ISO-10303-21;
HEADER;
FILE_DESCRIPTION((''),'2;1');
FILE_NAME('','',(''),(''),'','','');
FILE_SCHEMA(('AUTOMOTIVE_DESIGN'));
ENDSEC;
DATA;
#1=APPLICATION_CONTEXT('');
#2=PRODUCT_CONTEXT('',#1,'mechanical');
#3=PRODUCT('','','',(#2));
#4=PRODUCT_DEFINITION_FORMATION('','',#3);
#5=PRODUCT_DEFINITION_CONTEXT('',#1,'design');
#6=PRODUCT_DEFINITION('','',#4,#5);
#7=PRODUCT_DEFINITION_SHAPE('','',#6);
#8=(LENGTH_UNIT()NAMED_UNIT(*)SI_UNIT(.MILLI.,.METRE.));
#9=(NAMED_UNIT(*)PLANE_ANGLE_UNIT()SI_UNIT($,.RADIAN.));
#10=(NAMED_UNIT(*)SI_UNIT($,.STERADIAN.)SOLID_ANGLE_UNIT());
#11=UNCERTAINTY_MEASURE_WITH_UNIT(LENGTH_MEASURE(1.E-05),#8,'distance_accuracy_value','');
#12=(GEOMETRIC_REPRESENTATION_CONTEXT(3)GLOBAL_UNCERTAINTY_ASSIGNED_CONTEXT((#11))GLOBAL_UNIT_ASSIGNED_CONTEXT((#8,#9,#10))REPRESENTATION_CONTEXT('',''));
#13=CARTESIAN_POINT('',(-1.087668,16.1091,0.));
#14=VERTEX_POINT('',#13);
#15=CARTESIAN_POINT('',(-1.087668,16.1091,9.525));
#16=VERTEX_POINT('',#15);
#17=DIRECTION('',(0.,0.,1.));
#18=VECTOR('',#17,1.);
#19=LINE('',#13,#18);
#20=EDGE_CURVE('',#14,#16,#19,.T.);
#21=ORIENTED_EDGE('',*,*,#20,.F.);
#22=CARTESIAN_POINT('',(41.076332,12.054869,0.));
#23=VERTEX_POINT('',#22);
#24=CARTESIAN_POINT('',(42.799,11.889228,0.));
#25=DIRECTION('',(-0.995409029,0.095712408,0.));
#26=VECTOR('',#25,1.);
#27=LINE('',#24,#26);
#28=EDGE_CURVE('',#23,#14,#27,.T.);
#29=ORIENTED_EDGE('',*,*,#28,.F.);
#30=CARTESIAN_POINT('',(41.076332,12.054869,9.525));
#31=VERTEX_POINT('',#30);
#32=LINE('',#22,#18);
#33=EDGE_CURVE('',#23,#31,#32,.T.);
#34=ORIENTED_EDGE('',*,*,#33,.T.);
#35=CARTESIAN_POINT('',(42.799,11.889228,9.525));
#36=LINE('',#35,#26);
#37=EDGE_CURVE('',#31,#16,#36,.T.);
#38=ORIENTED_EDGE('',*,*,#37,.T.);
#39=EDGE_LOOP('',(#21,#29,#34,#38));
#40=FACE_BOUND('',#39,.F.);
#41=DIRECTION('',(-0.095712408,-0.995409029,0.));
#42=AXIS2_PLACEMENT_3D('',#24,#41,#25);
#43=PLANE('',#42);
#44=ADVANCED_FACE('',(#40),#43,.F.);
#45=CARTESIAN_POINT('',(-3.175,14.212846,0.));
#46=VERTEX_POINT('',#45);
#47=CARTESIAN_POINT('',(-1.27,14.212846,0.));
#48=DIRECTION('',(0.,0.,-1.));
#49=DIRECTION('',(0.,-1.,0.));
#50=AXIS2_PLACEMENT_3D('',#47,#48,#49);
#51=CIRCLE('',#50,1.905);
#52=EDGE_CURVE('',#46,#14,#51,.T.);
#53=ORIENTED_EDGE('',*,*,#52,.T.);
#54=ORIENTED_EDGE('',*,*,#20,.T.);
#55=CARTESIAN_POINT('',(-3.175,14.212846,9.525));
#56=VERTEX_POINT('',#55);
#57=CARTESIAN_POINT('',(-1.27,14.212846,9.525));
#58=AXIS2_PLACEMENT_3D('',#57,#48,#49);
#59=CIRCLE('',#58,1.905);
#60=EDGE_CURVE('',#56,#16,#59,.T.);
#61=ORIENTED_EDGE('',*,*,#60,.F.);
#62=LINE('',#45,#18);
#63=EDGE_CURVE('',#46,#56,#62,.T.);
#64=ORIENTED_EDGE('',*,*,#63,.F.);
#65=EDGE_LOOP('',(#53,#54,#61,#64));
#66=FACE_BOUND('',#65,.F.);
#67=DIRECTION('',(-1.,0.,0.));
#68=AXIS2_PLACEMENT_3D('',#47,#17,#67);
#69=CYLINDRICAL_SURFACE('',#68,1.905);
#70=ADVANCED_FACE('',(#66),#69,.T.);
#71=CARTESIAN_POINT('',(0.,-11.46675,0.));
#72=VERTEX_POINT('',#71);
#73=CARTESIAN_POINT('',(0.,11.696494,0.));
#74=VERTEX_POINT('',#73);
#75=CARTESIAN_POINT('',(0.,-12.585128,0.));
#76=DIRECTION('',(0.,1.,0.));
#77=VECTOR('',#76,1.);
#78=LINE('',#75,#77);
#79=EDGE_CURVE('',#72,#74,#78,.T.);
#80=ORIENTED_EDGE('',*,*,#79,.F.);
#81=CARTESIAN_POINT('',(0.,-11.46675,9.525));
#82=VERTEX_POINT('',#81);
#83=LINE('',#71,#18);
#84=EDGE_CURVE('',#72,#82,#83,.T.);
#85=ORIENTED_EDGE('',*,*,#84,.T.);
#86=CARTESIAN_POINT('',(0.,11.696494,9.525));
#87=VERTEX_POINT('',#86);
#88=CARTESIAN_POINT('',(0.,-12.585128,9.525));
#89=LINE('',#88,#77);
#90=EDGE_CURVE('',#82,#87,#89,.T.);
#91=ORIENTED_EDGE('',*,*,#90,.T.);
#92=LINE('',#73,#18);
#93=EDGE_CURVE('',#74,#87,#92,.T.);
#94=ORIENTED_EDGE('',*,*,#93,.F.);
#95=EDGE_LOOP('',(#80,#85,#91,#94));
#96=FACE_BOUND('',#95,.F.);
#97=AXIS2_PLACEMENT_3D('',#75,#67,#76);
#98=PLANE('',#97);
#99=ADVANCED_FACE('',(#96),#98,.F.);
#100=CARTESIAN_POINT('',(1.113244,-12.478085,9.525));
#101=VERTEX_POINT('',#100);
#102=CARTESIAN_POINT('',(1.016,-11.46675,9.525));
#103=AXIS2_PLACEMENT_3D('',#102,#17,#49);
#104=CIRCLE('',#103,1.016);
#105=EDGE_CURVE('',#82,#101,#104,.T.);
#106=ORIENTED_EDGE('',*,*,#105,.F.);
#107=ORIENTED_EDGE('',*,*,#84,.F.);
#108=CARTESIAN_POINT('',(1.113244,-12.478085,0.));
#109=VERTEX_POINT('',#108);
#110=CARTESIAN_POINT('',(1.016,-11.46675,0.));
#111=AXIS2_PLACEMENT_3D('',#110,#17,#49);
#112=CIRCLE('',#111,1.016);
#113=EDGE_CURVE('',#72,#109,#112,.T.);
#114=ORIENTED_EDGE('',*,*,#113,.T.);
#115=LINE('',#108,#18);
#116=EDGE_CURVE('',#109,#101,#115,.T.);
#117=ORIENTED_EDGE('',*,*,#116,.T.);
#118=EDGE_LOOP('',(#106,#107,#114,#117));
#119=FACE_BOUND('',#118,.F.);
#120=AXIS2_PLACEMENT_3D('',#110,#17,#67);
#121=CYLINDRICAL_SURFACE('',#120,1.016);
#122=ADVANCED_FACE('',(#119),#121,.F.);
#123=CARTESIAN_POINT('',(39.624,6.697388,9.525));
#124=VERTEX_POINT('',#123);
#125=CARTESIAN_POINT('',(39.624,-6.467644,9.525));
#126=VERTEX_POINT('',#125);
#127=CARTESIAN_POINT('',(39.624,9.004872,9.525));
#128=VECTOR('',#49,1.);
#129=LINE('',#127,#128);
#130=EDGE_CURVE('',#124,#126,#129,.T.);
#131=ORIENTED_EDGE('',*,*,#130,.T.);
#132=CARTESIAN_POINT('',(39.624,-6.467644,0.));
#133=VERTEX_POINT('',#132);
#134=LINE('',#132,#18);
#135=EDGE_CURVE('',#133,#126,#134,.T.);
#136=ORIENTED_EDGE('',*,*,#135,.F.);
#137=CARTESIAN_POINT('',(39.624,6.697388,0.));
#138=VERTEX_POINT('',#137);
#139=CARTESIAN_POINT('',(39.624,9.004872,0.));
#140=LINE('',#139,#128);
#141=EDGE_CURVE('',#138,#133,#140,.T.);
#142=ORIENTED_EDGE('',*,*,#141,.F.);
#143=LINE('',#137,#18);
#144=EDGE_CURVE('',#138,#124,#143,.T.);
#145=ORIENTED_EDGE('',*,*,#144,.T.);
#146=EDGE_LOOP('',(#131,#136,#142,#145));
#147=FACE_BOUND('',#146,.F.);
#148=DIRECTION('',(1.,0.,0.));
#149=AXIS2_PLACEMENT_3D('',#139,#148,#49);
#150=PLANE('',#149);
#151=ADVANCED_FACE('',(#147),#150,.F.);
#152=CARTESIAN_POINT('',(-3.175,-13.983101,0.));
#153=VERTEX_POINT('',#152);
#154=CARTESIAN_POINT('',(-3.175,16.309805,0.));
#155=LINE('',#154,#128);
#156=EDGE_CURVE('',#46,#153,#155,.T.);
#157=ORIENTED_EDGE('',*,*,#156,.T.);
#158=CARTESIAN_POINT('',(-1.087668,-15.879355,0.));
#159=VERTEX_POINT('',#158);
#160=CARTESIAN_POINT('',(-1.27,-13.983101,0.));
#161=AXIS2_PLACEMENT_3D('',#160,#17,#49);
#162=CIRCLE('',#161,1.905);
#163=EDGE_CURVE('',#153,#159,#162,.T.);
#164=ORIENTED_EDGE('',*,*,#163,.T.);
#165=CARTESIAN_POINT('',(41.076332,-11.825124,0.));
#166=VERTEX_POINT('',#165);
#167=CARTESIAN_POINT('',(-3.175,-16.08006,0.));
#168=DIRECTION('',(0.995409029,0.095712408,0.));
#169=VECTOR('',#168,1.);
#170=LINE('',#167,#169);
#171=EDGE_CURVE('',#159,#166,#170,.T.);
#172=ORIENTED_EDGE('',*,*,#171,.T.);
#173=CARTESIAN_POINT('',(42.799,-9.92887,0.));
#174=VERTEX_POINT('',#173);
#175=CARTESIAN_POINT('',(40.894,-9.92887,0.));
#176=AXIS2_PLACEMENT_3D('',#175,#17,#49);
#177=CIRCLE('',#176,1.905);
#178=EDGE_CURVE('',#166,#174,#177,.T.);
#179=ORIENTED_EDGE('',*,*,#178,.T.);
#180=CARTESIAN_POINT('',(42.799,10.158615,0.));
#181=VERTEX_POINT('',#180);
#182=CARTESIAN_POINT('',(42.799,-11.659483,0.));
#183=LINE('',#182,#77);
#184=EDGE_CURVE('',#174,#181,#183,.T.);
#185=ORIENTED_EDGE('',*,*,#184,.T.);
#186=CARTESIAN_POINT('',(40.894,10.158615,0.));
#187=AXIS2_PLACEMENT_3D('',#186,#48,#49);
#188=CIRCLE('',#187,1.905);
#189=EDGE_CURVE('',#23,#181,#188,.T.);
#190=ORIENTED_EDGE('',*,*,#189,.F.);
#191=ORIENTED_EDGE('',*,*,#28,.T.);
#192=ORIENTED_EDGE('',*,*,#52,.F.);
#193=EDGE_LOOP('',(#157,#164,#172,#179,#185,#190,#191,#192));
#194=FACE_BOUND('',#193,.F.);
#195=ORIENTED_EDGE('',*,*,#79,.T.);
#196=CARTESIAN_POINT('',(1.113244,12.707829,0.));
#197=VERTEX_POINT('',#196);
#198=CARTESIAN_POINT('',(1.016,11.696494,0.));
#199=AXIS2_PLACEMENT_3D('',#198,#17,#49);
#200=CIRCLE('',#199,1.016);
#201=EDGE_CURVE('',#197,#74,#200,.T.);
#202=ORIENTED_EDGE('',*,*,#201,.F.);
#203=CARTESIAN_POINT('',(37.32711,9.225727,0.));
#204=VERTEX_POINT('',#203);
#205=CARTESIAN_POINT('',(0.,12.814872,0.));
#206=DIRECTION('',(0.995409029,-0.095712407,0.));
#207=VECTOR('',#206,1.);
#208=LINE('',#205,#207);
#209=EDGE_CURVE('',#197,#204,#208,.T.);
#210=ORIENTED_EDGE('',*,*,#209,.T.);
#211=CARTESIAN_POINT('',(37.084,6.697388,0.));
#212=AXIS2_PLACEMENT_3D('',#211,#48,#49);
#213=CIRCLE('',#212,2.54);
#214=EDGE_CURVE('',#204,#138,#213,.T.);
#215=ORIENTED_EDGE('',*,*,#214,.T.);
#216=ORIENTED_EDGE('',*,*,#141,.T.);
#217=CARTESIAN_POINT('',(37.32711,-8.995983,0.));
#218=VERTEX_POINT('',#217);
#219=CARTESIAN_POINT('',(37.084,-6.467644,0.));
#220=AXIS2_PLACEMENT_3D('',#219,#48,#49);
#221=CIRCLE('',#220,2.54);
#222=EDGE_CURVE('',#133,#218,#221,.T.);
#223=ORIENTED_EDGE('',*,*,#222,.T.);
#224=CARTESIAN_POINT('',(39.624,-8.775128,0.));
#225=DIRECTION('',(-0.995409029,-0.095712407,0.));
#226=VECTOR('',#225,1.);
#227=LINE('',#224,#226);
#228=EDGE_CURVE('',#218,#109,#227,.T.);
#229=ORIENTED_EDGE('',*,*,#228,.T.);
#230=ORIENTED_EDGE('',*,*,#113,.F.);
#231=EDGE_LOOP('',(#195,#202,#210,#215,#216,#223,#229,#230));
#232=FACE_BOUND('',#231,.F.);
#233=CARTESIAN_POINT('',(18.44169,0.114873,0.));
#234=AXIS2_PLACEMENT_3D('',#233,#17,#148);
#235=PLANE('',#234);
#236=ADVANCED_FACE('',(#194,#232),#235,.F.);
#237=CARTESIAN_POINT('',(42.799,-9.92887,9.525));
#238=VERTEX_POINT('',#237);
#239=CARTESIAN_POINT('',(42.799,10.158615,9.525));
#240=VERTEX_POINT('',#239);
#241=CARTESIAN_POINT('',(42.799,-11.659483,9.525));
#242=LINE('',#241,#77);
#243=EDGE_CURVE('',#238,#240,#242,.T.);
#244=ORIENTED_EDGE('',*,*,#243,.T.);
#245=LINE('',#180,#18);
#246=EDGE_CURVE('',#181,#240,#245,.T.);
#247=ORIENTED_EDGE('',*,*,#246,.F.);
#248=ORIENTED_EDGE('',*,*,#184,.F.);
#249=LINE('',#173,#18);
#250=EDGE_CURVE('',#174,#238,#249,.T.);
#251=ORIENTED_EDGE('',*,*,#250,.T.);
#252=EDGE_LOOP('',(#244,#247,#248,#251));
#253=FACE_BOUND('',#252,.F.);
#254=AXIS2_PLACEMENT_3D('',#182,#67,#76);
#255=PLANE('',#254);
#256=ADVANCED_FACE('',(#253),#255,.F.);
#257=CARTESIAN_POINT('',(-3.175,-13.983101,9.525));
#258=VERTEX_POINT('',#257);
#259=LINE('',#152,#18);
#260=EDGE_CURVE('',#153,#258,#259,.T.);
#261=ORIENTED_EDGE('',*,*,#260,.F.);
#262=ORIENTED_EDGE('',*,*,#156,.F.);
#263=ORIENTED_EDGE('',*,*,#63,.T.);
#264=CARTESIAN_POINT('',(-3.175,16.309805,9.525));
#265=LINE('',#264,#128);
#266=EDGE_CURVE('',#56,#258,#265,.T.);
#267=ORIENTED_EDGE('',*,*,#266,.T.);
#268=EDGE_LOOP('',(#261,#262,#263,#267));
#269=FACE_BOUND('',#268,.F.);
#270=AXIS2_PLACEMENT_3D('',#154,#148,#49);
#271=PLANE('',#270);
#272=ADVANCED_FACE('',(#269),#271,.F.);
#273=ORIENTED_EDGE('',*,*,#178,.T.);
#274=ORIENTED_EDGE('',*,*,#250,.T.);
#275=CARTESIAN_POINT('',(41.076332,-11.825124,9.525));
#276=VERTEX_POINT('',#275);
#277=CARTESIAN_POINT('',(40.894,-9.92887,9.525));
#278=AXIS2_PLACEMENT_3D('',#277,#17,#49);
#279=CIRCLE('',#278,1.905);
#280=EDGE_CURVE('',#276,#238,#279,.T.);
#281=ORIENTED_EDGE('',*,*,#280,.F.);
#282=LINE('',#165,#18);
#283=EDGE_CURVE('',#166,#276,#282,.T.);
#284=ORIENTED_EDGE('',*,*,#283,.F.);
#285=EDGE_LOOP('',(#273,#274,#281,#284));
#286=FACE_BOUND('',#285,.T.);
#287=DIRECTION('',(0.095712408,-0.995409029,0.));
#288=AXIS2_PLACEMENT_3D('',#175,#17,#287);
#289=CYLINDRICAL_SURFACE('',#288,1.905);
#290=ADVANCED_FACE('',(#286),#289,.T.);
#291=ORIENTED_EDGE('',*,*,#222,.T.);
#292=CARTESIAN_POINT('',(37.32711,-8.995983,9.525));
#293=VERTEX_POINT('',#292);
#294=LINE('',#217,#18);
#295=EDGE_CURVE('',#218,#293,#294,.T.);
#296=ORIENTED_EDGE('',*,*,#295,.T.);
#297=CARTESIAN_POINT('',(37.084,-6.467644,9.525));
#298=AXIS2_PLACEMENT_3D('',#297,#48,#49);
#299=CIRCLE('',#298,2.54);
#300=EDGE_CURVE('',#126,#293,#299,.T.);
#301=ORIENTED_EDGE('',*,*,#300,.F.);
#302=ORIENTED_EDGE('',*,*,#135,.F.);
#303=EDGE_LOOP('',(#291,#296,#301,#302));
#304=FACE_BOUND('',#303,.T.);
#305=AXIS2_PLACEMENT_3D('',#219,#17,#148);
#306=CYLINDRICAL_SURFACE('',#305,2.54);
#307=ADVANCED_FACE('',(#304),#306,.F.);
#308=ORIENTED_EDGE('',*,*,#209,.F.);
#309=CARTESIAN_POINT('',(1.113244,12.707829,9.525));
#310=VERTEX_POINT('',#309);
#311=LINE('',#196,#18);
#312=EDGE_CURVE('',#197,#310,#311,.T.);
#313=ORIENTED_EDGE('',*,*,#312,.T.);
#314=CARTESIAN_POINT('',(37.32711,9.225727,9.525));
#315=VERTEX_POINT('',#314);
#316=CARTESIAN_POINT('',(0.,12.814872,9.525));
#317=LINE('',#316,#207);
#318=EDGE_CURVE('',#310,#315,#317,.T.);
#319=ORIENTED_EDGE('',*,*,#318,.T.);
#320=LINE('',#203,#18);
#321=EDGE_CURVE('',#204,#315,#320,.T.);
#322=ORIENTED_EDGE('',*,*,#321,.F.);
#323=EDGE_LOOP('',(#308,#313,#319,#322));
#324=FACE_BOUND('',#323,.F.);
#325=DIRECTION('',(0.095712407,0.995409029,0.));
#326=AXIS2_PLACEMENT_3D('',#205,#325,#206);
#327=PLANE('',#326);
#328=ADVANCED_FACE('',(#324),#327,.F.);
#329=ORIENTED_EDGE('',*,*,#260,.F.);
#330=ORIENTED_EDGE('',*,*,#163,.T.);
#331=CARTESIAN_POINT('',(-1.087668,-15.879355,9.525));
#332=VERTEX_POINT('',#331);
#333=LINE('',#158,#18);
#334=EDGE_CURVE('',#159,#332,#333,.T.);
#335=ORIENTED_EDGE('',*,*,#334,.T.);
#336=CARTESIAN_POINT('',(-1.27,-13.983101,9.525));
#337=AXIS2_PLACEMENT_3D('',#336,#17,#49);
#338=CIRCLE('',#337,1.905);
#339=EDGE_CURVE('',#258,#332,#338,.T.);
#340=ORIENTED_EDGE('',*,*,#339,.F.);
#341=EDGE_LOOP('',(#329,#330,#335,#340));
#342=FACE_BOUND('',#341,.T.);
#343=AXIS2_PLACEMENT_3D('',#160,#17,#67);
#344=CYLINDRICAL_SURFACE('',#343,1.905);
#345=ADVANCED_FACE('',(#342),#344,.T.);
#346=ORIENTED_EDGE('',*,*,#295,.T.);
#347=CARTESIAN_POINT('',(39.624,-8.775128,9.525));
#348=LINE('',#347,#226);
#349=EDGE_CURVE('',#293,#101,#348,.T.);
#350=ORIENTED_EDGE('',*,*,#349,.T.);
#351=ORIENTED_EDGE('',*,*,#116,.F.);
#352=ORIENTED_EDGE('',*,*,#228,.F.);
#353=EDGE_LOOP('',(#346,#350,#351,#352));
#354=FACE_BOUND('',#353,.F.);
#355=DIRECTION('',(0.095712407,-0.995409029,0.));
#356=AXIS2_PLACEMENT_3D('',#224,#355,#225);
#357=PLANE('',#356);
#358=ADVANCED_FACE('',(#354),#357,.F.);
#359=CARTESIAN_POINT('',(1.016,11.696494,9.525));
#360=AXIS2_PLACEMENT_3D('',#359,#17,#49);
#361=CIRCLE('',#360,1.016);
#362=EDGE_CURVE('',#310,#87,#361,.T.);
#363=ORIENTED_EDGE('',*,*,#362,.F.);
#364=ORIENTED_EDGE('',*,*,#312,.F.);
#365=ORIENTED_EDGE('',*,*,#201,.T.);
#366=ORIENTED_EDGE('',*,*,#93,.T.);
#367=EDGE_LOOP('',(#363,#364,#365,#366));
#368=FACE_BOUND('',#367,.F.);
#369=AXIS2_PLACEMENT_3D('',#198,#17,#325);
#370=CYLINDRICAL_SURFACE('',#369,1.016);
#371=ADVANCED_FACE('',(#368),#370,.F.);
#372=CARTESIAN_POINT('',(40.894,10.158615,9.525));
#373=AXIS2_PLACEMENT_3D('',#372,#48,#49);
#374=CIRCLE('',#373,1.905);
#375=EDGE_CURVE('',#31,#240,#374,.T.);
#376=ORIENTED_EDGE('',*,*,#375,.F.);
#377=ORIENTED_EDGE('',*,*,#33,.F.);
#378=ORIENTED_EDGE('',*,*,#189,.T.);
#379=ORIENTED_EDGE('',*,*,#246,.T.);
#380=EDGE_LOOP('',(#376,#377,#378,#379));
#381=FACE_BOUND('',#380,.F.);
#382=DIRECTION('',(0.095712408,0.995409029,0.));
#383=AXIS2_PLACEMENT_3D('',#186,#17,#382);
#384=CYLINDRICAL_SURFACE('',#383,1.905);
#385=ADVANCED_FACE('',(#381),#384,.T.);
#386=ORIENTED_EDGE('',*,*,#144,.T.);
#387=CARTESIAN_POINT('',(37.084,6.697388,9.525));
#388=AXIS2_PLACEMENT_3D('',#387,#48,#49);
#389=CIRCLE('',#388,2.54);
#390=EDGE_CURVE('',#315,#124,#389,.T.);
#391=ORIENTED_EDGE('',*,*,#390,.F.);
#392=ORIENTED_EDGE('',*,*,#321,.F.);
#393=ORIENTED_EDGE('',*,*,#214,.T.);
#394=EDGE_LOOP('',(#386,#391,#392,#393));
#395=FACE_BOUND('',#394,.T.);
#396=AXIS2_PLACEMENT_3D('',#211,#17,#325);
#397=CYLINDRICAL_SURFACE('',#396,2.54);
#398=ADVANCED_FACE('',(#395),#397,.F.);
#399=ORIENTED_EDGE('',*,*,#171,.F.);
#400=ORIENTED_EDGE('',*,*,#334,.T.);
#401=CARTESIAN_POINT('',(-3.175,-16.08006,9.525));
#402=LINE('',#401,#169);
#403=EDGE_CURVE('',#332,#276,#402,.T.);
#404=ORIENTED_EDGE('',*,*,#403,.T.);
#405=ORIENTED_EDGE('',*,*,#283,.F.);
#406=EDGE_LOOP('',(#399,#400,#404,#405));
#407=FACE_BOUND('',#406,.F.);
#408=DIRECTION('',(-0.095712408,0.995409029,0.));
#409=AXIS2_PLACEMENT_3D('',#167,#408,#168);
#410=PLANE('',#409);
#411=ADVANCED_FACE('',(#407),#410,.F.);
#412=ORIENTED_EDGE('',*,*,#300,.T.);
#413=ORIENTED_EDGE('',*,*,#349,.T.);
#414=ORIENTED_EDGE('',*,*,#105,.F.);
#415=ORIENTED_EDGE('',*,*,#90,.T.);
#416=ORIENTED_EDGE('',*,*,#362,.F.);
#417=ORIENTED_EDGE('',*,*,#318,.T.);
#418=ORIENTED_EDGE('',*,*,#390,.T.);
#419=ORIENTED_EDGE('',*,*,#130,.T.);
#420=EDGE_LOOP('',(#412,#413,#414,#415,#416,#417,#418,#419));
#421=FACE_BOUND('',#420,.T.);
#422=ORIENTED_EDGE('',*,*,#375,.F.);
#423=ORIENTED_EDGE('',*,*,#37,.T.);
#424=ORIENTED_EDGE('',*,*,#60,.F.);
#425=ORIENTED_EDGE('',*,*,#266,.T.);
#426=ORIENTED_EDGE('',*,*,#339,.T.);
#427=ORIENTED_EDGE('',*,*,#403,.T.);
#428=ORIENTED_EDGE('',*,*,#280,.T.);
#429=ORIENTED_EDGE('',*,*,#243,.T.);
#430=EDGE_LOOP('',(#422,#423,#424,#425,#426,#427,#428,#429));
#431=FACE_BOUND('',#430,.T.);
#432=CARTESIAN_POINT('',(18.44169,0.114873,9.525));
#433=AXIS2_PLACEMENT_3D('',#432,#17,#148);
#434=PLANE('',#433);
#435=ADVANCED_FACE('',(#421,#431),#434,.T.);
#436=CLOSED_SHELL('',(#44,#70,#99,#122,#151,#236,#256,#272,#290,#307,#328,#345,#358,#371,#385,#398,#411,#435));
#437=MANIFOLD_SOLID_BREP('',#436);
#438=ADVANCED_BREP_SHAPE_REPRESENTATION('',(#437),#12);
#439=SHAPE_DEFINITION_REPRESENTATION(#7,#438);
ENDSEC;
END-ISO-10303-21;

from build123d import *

# Parameters (mm, degrees)
F1_DEPTH = 9.525
F2_R     = 1.905
F3_R     = 1.016
F4_R     = 2.54


with BuildPart() as f1:
    # F0 (on Top) → F1 (new body)
    with BuildSketch(Plane.XY):
        Polygon((-3.175, 16.309805), (-3.175, -16.08006), (42.799, -11.659483), (42.799, 11.889228), align=None)
        Polygon((39.624, -8.775128), (0, -12.585128), (0, 12.814872), (39.624, 9.004872), align=None, mode=Mode.SUBTRACT)
    extrude(amount=F1_DEPTH)

    # F2
    f2_edges = [f1.edges().sort_by_distance(p)[0] for p in [
        (42.799, -11.659483, 4.7625),
        (42.799, 11.889228, 4.7625),
        (-3.175, 16.309805, 4.7625),
        (-3.175, -16.08006, 4.7625),
    ]]
    fillet(f2_edges, radius=F2_R)

    # F3
    f3_edges = [f1.edges().sort_by_distance(p)[0] for p in [
        (0, 12.814872, 4.7625),
        (0, -12.585128, 4.7625),
    ]]
    fillet(f3_edges, radius=F3_R)

    # F4
    f4_edges = [f1.edges().sort_by_distance(p)[0] for p in [
        (39.624, 9.004872, 4.7625),
        (39.624, -8.775128, 4.7625),
    ]]
    fillet(f4_edges, radius=F4_R)


solid = f1.part
